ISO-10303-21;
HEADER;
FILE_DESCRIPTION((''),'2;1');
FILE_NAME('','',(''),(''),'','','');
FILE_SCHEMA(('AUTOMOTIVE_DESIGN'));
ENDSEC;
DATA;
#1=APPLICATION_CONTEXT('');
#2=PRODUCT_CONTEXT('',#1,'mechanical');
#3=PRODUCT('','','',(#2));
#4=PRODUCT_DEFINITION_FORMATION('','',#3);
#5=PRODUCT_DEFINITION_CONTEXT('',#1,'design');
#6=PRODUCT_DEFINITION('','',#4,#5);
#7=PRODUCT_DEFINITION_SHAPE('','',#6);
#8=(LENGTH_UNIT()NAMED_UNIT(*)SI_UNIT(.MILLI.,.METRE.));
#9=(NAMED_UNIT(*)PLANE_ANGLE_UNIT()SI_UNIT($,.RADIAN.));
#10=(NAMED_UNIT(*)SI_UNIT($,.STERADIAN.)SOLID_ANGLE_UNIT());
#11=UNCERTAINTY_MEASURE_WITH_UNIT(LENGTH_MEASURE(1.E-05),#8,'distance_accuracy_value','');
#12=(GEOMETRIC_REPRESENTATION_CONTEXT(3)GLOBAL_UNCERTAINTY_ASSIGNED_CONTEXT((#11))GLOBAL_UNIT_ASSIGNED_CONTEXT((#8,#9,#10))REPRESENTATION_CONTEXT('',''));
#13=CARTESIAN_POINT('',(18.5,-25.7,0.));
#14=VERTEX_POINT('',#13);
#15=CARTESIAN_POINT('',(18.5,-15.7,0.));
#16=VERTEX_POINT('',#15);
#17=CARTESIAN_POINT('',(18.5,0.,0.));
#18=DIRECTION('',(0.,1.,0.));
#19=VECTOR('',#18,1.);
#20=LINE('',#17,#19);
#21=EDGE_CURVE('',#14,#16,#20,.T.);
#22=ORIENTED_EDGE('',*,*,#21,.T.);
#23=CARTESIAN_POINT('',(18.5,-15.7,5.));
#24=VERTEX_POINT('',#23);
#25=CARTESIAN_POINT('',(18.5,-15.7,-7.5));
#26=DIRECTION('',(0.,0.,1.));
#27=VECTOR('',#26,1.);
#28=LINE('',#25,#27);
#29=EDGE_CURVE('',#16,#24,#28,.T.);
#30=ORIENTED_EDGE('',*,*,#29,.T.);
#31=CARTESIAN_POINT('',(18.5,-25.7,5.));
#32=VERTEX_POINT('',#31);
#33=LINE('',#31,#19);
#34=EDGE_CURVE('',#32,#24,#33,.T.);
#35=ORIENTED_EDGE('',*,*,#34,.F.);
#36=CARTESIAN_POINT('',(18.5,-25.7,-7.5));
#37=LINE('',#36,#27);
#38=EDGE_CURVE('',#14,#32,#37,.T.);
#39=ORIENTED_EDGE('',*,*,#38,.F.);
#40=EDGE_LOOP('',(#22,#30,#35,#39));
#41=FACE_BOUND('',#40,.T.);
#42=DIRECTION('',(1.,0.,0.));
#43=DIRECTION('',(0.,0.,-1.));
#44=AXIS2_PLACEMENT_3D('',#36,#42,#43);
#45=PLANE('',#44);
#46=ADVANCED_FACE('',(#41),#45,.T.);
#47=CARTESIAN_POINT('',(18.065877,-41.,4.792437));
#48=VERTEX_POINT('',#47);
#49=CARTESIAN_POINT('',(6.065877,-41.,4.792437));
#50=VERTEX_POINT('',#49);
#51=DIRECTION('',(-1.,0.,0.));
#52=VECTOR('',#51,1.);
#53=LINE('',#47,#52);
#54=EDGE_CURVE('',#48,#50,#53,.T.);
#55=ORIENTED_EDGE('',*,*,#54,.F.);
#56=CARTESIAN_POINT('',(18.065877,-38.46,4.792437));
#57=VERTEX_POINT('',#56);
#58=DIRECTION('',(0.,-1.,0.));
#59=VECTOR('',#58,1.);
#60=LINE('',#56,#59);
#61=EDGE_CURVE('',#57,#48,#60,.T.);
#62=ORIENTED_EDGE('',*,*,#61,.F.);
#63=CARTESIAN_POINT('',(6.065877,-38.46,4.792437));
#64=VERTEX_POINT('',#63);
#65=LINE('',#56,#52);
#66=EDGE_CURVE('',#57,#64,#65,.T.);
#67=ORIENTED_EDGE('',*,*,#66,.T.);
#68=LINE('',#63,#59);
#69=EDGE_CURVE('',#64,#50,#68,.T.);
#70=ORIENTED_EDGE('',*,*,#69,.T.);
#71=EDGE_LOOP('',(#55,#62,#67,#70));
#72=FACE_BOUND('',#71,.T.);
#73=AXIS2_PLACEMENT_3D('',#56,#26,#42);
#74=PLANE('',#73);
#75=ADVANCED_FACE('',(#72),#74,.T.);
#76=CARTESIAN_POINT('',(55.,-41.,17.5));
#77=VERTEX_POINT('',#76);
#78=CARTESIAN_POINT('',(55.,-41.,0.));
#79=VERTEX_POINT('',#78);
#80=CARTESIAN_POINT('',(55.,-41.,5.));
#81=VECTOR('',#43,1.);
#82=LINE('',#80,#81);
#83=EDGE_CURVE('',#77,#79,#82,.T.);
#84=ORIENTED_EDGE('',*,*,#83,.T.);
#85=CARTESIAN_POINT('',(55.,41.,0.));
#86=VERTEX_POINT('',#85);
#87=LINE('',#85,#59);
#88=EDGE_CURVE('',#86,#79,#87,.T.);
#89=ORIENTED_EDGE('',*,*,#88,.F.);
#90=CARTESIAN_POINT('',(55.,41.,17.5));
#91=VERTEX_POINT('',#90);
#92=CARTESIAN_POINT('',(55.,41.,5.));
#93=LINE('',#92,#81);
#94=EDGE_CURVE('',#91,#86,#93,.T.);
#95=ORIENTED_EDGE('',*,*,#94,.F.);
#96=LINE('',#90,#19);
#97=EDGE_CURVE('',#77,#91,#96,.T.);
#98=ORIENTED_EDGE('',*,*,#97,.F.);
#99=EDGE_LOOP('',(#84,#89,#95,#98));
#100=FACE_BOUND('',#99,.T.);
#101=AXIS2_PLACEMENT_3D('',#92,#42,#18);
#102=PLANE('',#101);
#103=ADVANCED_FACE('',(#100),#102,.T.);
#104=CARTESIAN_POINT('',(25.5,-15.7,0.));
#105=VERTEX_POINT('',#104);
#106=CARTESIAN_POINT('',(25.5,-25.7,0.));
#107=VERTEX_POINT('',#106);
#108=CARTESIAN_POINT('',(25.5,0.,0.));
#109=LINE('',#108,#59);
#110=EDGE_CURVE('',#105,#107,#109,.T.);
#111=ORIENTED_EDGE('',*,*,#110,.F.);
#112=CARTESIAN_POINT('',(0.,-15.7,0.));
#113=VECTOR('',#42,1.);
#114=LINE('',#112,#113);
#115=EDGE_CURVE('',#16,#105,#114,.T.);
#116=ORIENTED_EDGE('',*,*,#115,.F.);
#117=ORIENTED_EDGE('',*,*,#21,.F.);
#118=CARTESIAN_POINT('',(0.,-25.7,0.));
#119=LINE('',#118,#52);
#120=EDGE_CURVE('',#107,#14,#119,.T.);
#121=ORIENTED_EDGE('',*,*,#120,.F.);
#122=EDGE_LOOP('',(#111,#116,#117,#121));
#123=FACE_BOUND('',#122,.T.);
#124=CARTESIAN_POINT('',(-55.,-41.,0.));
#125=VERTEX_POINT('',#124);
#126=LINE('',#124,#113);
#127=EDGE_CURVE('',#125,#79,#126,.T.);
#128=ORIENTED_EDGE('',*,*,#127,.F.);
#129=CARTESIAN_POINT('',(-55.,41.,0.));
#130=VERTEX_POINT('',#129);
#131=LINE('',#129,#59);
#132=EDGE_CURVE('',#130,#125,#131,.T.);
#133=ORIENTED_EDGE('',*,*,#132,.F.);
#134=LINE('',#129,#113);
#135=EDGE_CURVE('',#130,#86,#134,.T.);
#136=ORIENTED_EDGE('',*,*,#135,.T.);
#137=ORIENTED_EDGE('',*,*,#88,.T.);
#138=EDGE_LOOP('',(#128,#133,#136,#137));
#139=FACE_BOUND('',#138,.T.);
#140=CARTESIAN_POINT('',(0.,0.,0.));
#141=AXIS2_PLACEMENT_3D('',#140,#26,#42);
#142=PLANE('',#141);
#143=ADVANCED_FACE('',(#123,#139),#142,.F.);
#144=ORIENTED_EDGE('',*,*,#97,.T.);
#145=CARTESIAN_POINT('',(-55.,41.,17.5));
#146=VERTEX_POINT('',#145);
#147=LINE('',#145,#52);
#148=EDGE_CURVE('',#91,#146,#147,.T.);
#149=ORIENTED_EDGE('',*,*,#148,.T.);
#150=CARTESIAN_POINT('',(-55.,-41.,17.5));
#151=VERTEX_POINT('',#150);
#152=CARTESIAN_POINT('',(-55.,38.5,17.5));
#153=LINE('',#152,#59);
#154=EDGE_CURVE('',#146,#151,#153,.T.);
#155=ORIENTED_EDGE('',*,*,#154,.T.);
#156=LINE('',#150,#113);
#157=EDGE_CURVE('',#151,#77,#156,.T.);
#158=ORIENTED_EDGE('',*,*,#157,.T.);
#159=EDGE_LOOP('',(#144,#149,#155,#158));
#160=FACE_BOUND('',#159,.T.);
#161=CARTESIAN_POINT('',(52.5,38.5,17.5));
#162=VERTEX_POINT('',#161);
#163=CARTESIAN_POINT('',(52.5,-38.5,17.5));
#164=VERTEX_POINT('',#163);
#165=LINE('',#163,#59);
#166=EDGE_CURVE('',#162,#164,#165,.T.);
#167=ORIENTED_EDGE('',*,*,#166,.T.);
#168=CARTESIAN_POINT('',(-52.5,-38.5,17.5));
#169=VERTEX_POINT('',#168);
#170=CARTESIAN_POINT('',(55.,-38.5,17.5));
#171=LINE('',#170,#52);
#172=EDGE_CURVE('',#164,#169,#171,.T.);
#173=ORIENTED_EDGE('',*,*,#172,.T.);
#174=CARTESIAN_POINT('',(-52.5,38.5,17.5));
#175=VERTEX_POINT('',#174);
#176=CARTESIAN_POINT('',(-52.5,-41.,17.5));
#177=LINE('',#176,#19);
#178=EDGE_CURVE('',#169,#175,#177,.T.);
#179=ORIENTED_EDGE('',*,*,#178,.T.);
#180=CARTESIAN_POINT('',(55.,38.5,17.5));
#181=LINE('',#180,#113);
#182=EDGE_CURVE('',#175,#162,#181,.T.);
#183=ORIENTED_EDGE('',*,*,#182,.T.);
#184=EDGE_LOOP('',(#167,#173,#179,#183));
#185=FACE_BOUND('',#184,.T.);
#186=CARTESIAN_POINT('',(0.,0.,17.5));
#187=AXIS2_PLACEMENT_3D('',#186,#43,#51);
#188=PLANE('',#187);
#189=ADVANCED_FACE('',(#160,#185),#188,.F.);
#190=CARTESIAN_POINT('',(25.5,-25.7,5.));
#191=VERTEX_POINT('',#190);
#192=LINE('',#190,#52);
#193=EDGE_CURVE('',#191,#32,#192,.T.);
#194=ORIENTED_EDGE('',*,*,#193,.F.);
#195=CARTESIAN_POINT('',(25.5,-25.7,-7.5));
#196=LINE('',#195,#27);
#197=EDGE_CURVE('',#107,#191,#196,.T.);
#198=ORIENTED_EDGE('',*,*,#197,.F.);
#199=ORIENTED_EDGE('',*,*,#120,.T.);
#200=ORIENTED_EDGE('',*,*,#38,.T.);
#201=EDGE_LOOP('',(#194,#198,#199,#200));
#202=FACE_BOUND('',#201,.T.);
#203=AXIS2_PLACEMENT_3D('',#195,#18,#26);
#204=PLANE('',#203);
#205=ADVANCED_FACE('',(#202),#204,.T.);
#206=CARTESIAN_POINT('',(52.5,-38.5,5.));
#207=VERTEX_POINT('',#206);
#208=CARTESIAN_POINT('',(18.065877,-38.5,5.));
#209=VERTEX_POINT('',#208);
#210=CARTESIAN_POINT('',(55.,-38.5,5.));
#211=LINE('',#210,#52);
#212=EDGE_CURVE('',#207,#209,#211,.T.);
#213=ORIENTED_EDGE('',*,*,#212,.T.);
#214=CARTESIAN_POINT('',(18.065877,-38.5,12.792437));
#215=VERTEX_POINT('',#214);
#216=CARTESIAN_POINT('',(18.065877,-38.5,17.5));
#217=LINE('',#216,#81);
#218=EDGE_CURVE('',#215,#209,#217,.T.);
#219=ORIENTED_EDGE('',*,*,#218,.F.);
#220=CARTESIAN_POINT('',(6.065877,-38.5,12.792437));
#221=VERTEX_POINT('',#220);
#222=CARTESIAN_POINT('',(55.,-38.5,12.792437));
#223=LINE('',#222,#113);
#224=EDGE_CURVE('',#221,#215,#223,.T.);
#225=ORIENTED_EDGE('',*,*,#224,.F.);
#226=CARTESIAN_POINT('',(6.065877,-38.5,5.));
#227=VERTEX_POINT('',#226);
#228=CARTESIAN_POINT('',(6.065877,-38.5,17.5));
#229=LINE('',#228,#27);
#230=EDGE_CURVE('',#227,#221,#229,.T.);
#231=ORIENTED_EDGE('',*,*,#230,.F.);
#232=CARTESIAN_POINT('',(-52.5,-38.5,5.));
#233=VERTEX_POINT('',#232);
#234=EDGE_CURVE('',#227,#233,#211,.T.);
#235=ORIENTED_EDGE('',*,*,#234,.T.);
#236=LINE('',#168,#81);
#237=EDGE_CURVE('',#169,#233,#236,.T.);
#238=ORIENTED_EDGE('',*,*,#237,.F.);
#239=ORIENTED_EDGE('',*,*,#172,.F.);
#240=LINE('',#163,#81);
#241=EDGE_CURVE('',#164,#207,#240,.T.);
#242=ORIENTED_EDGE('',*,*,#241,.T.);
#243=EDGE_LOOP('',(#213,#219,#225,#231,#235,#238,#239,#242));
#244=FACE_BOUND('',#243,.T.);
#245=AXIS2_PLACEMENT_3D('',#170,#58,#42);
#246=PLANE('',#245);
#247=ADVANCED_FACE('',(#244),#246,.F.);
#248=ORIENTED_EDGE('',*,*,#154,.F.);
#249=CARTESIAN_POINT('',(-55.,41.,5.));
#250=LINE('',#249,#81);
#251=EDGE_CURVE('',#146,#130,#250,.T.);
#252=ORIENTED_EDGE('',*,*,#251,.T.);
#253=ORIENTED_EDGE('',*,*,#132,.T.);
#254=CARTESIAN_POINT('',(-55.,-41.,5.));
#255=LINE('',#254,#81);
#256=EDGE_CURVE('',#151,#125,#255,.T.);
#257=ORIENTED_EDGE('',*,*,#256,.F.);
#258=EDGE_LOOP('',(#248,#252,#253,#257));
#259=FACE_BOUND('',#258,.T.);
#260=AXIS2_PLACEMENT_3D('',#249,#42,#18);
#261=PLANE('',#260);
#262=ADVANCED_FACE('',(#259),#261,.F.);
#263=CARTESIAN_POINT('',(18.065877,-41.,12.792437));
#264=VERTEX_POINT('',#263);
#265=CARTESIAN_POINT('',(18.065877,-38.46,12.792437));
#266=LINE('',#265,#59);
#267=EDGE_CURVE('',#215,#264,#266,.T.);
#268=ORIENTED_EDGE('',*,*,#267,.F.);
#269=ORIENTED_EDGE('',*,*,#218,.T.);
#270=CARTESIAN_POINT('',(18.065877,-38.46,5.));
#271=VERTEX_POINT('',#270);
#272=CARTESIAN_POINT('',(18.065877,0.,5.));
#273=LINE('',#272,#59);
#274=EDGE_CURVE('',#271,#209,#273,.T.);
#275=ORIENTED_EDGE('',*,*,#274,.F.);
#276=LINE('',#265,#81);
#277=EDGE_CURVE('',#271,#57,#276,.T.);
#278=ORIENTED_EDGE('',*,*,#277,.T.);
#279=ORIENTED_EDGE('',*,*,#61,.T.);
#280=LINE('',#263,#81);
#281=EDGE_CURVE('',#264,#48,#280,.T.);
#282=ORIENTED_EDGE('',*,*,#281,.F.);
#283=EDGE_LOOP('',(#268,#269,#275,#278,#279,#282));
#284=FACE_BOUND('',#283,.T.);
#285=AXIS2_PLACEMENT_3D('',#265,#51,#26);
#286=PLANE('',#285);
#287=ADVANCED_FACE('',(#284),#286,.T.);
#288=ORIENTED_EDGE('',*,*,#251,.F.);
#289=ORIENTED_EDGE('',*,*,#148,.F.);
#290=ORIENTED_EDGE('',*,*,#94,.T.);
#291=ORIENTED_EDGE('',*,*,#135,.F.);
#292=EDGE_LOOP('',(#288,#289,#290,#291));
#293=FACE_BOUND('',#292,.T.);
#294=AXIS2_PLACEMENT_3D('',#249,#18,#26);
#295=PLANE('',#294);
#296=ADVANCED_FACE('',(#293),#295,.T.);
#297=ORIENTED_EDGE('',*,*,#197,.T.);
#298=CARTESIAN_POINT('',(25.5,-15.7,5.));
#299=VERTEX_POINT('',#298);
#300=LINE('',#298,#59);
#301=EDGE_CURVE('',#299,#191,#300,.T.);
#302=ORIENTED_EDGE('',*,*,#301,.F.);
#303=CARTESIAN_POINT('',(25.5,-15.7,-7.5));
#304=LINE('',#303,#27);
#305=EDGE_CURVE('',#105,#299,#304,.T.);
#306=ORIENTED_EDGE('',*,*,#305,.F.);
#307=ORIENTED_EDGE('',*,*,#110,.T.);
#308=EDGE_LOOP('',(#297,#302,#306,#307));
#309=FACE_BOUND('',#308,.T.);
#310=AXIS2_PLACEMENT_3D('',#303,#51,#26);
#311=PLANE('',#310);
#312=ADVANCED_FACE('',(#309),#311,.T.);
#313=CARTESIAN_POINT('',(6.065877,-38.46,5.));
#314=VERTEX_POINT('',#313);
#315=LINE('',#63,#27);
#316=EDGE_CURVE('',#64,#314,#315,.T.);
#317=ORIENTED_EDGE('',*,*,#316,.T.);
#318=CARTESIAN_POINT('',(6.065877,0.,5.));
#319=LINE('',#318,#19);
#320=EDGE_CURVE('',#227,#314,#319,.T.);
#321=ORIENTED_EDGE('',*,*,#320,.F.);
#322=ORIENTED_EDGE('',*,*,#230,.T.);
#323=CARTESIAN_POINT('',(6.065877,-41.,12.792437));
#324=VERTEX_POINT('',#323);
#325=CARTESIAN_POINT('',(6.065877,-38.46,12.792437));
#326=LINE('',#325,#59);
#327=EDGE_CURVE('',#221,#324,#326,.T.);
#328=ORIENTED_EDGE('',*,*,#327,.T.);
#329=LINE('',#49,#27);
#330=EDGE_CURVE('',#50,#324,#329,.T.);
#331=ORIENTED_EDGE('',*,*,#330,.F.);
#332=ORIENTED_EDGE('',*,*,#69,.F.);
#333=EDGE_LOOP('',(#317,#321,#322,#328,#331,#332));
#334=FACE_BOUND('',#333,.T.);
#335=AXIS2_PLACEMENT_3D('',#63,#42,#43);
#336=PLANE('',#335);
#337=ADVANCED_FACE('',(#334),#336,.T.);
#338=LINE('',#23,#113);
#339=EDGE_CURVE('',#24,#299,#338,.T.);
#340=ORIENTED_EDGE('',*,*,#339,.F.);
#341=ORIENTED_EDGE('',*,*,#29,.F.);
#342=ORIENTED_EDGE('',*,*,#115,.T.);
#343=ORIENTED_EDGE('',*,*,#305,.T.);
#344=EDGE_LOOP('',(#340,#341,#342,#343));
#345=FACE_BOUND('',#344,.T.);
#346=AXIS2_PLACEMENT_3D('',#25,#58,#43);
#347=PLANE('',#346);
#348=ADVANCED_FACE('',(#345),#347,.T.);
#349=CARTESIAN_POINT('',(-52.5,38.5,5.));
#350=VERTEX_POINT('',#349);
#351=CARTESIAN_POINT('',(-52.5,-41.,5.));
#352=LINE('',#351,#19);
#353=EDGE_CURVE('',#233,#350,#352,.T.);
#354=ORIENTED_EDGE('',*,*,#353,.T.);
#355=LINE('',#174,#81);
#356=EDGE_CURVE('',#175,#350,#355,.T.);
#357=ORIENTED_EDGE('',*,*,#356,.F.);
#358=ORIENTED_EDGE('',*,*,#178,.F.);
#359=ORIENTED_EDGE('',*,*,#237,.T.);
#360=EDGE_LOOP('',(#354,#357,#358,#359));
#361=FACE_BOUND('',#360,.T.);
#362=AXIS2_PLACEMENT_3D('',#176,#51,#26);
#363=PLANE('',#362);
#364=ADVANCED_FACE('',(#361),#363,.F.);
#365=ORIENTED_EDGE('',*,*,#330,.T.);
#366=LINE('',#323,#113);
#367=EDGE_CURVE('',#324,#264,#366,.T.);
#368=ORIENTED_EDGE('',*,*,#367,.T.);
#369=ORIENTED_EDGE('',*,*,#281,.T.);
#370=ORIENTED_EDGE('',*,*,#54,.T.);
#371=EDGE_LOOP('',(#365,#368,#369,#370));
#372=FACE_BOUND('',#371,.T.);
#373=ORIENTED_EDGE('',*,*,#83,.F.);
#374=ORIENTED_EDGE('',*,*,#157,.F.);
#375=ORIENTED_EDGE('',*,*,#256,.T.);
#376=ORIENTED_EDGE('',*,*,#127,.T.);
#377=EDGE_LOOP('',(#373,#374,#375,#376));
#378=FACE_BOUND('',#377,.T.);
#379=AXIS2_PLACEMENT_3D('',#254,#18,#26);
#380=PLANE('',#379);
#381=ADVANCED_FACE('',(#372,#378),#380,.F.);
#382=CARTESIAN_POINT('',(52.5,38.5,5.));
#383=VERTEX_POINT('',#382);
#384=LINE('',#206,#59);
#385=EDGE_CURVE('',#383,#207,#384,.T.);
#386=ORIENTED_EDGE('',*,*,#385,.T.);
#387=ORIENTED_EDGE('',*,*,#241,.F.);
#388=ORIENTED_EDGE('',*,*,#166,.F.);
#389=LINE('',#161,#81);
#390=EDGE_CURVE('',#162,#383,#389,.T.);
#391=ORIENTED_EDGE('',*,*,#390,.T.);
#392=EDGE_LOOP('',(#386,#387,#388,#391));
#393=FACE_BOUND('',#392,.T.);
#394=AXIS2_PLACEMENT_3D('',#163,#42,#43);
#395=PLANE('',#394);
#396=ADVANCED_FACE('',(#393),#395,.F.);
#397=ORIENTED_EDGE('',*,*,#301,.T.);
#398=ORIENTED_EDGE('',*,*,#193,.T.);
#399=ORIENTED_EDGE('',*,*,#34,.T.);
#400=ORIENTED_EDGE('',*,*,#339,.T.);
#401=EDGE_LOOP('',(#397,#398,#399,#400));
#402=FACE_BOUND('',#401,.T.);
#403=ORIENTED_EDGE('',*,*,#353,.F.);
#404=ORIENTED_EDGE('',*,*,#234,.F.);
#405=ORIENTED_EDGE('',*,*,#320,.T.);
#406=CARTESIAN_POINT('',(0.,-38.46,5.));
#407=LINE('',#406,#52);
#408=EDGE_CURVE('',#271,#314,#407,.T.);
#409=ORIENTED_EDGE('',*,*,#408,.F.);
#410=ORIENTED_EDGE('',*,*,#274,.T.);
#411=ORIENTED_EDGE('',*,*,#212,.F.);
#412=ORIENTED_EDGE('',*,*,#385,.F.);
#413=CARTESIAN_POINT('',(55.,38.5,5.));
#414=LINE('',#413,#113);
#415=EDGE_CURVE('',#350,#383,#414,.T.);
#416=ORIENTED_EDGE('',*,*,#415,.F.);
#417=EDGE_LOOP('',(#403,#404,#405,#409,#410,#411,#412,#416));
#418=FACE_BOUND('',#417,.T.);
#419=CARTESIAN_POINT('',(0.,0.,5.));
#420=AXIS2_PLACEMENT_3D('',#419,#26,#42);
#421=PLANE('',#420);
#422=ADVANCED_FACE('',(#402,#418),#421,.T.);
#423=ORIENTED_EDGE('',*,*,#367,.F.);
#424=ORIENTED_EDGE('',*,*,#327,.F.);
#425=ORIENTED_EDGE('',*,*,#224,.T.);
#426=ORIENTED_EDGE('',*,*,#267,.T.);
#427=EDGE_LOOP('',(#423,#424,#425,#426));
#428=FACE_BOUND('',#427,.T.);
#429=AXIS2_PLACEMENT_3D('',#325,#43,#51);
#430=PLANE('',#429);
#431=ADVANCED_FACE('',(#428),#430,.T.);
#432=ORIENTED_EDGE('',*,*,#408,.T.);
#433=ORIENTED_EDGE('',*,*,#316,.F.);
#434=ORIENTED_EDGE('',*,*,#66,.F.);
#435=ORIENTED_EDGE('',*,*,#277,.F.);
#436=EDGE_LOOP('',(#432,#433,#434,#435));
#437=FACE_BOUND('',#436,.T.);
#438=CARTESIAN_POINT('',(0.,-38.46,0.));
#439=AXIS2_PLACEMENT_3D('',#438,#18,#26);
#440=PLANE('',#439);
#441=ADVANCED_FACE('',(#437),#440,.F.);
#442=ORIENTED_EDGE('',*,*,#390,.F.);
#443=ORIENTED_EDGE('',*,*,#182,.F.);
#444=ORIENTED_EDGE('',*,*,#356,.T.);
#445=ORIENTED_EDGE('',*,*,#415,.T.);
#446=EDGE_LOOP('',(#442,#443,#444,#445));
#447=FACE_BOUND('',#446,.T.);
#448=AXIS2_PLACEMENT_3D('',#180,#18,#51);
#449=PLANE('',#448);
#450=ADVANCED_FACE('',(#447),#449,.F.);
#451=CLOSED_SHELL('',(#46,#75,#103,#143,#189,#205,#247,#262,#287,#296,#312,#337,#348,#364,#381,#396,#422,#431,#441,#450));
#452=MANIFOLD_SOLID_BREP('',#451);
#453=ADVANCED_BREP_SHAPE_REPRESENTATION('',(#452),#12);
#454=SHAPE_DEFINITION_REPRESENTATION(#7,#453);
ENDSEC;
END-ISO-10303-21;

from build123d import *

# Parameters (mm, degrees)
SKETCH1_W           = 110
SKETCH1_H           = 82
BOSS_EXTRUDE1_DEPTH = 5
SKETCH3_W           = 110
SKETCH3_H           = 2.5
BOSS_EXTRUDE2_DEPTH = 12.5
SKETCH4_W           = 2.5
SKETCH4_H           = 79.5
BOSS_EXTRUDE3_DEPTH = 12.5
SKETCH5_W           = 107.5
SKETCH5_H           = 2.5
BOSS_EXTRUDE4_DEPTH = 12.5
SKETCH6_W           = 2.5
SKETCH6_H           = 77
BOSS_EXTRUDE5_DEPTH = 12.5
SKETCH7_W           = 7
SKETCH7_H           = 10
CUT_EXTRUDE1_DEPTH  = 12.5
SKETCH8_W           = 12
SKETCH8_H           = 8
CUT_EXTRUDE2_DEPTH  = 2.54


with BuildPart() as part:
    # Sketch1 → Boss-Extrude1 (new body)
    with BuildSketch(Plane.XY):
        Rectangle(SKETCH1_W, SKETCH1_H)
    extrude(amount=BOSS_EXTRUDE1_DEPTH)

    # Sketch3 → Boss-Extrude2 (add)
    with BuildSketch(Plane.XY.offset(5)):
        with Locations((0, 39.75)):
            Rectangle(SKETCH3_W, SKETCH3_H)
    extrude(amount=BOSS_EXTRUDE2_DEPTH)

    # Sketch4 → Boss-Extrude3 (add)
    with BuildSketch(Plane.XY.offset(5)):
        with Locations((-53.75, -1.25)):
            Rectangle(SKETCH4_W, SKETCH4_H)
    extrude(amount=BOSS_EXTRUDE3_DEPTH)

    # Sketch5 → Boss-Extrude4 (add)
    with BuildSketch(Plane.XY.offset(5)):
        with Locations((1.25, -39.75)):
            Rectangle(SKETCH5_W, SKETCH5_H)
    extrude(amount=BOSS_EXTRUDE4_DEPTH)

    # Sketch6 → Boss-Extrude5 (add)
    with BuildSketch(Plane.XY.offset(5)):
        with Locations((53.75, 0)):
            Rectangle(SKETCH6_W, SKETCH6_H)
    extrude(amount=BOSS_EXTRUDE5_DEPTH)

    # Sketch7 → Cut-Extrude1 (cut)
    with BuildSketch(Plane.XY.offset(5)):
        with Locations((22, -20.7)):
            Rectangle(SKETCH7_W, SKETCH7_H)
    extrude(amount=-CUT_EXTRUDE1_DEPTH, mode=Mode.SUBTRACT)

    # Sketch8 → Cut-Extrude2 (cut)
    with BuildSketch(Plane.XZ.offset(41)):
        with Locations((12.06587737, 8.792437031)):
            Rectangle(SKETCH8_W, SKETCH8_H)
    extrude(amount=-CUT_EXTRUDE2_DEPTH, mode=Mode.SUBTRACT)


solid = part.part
